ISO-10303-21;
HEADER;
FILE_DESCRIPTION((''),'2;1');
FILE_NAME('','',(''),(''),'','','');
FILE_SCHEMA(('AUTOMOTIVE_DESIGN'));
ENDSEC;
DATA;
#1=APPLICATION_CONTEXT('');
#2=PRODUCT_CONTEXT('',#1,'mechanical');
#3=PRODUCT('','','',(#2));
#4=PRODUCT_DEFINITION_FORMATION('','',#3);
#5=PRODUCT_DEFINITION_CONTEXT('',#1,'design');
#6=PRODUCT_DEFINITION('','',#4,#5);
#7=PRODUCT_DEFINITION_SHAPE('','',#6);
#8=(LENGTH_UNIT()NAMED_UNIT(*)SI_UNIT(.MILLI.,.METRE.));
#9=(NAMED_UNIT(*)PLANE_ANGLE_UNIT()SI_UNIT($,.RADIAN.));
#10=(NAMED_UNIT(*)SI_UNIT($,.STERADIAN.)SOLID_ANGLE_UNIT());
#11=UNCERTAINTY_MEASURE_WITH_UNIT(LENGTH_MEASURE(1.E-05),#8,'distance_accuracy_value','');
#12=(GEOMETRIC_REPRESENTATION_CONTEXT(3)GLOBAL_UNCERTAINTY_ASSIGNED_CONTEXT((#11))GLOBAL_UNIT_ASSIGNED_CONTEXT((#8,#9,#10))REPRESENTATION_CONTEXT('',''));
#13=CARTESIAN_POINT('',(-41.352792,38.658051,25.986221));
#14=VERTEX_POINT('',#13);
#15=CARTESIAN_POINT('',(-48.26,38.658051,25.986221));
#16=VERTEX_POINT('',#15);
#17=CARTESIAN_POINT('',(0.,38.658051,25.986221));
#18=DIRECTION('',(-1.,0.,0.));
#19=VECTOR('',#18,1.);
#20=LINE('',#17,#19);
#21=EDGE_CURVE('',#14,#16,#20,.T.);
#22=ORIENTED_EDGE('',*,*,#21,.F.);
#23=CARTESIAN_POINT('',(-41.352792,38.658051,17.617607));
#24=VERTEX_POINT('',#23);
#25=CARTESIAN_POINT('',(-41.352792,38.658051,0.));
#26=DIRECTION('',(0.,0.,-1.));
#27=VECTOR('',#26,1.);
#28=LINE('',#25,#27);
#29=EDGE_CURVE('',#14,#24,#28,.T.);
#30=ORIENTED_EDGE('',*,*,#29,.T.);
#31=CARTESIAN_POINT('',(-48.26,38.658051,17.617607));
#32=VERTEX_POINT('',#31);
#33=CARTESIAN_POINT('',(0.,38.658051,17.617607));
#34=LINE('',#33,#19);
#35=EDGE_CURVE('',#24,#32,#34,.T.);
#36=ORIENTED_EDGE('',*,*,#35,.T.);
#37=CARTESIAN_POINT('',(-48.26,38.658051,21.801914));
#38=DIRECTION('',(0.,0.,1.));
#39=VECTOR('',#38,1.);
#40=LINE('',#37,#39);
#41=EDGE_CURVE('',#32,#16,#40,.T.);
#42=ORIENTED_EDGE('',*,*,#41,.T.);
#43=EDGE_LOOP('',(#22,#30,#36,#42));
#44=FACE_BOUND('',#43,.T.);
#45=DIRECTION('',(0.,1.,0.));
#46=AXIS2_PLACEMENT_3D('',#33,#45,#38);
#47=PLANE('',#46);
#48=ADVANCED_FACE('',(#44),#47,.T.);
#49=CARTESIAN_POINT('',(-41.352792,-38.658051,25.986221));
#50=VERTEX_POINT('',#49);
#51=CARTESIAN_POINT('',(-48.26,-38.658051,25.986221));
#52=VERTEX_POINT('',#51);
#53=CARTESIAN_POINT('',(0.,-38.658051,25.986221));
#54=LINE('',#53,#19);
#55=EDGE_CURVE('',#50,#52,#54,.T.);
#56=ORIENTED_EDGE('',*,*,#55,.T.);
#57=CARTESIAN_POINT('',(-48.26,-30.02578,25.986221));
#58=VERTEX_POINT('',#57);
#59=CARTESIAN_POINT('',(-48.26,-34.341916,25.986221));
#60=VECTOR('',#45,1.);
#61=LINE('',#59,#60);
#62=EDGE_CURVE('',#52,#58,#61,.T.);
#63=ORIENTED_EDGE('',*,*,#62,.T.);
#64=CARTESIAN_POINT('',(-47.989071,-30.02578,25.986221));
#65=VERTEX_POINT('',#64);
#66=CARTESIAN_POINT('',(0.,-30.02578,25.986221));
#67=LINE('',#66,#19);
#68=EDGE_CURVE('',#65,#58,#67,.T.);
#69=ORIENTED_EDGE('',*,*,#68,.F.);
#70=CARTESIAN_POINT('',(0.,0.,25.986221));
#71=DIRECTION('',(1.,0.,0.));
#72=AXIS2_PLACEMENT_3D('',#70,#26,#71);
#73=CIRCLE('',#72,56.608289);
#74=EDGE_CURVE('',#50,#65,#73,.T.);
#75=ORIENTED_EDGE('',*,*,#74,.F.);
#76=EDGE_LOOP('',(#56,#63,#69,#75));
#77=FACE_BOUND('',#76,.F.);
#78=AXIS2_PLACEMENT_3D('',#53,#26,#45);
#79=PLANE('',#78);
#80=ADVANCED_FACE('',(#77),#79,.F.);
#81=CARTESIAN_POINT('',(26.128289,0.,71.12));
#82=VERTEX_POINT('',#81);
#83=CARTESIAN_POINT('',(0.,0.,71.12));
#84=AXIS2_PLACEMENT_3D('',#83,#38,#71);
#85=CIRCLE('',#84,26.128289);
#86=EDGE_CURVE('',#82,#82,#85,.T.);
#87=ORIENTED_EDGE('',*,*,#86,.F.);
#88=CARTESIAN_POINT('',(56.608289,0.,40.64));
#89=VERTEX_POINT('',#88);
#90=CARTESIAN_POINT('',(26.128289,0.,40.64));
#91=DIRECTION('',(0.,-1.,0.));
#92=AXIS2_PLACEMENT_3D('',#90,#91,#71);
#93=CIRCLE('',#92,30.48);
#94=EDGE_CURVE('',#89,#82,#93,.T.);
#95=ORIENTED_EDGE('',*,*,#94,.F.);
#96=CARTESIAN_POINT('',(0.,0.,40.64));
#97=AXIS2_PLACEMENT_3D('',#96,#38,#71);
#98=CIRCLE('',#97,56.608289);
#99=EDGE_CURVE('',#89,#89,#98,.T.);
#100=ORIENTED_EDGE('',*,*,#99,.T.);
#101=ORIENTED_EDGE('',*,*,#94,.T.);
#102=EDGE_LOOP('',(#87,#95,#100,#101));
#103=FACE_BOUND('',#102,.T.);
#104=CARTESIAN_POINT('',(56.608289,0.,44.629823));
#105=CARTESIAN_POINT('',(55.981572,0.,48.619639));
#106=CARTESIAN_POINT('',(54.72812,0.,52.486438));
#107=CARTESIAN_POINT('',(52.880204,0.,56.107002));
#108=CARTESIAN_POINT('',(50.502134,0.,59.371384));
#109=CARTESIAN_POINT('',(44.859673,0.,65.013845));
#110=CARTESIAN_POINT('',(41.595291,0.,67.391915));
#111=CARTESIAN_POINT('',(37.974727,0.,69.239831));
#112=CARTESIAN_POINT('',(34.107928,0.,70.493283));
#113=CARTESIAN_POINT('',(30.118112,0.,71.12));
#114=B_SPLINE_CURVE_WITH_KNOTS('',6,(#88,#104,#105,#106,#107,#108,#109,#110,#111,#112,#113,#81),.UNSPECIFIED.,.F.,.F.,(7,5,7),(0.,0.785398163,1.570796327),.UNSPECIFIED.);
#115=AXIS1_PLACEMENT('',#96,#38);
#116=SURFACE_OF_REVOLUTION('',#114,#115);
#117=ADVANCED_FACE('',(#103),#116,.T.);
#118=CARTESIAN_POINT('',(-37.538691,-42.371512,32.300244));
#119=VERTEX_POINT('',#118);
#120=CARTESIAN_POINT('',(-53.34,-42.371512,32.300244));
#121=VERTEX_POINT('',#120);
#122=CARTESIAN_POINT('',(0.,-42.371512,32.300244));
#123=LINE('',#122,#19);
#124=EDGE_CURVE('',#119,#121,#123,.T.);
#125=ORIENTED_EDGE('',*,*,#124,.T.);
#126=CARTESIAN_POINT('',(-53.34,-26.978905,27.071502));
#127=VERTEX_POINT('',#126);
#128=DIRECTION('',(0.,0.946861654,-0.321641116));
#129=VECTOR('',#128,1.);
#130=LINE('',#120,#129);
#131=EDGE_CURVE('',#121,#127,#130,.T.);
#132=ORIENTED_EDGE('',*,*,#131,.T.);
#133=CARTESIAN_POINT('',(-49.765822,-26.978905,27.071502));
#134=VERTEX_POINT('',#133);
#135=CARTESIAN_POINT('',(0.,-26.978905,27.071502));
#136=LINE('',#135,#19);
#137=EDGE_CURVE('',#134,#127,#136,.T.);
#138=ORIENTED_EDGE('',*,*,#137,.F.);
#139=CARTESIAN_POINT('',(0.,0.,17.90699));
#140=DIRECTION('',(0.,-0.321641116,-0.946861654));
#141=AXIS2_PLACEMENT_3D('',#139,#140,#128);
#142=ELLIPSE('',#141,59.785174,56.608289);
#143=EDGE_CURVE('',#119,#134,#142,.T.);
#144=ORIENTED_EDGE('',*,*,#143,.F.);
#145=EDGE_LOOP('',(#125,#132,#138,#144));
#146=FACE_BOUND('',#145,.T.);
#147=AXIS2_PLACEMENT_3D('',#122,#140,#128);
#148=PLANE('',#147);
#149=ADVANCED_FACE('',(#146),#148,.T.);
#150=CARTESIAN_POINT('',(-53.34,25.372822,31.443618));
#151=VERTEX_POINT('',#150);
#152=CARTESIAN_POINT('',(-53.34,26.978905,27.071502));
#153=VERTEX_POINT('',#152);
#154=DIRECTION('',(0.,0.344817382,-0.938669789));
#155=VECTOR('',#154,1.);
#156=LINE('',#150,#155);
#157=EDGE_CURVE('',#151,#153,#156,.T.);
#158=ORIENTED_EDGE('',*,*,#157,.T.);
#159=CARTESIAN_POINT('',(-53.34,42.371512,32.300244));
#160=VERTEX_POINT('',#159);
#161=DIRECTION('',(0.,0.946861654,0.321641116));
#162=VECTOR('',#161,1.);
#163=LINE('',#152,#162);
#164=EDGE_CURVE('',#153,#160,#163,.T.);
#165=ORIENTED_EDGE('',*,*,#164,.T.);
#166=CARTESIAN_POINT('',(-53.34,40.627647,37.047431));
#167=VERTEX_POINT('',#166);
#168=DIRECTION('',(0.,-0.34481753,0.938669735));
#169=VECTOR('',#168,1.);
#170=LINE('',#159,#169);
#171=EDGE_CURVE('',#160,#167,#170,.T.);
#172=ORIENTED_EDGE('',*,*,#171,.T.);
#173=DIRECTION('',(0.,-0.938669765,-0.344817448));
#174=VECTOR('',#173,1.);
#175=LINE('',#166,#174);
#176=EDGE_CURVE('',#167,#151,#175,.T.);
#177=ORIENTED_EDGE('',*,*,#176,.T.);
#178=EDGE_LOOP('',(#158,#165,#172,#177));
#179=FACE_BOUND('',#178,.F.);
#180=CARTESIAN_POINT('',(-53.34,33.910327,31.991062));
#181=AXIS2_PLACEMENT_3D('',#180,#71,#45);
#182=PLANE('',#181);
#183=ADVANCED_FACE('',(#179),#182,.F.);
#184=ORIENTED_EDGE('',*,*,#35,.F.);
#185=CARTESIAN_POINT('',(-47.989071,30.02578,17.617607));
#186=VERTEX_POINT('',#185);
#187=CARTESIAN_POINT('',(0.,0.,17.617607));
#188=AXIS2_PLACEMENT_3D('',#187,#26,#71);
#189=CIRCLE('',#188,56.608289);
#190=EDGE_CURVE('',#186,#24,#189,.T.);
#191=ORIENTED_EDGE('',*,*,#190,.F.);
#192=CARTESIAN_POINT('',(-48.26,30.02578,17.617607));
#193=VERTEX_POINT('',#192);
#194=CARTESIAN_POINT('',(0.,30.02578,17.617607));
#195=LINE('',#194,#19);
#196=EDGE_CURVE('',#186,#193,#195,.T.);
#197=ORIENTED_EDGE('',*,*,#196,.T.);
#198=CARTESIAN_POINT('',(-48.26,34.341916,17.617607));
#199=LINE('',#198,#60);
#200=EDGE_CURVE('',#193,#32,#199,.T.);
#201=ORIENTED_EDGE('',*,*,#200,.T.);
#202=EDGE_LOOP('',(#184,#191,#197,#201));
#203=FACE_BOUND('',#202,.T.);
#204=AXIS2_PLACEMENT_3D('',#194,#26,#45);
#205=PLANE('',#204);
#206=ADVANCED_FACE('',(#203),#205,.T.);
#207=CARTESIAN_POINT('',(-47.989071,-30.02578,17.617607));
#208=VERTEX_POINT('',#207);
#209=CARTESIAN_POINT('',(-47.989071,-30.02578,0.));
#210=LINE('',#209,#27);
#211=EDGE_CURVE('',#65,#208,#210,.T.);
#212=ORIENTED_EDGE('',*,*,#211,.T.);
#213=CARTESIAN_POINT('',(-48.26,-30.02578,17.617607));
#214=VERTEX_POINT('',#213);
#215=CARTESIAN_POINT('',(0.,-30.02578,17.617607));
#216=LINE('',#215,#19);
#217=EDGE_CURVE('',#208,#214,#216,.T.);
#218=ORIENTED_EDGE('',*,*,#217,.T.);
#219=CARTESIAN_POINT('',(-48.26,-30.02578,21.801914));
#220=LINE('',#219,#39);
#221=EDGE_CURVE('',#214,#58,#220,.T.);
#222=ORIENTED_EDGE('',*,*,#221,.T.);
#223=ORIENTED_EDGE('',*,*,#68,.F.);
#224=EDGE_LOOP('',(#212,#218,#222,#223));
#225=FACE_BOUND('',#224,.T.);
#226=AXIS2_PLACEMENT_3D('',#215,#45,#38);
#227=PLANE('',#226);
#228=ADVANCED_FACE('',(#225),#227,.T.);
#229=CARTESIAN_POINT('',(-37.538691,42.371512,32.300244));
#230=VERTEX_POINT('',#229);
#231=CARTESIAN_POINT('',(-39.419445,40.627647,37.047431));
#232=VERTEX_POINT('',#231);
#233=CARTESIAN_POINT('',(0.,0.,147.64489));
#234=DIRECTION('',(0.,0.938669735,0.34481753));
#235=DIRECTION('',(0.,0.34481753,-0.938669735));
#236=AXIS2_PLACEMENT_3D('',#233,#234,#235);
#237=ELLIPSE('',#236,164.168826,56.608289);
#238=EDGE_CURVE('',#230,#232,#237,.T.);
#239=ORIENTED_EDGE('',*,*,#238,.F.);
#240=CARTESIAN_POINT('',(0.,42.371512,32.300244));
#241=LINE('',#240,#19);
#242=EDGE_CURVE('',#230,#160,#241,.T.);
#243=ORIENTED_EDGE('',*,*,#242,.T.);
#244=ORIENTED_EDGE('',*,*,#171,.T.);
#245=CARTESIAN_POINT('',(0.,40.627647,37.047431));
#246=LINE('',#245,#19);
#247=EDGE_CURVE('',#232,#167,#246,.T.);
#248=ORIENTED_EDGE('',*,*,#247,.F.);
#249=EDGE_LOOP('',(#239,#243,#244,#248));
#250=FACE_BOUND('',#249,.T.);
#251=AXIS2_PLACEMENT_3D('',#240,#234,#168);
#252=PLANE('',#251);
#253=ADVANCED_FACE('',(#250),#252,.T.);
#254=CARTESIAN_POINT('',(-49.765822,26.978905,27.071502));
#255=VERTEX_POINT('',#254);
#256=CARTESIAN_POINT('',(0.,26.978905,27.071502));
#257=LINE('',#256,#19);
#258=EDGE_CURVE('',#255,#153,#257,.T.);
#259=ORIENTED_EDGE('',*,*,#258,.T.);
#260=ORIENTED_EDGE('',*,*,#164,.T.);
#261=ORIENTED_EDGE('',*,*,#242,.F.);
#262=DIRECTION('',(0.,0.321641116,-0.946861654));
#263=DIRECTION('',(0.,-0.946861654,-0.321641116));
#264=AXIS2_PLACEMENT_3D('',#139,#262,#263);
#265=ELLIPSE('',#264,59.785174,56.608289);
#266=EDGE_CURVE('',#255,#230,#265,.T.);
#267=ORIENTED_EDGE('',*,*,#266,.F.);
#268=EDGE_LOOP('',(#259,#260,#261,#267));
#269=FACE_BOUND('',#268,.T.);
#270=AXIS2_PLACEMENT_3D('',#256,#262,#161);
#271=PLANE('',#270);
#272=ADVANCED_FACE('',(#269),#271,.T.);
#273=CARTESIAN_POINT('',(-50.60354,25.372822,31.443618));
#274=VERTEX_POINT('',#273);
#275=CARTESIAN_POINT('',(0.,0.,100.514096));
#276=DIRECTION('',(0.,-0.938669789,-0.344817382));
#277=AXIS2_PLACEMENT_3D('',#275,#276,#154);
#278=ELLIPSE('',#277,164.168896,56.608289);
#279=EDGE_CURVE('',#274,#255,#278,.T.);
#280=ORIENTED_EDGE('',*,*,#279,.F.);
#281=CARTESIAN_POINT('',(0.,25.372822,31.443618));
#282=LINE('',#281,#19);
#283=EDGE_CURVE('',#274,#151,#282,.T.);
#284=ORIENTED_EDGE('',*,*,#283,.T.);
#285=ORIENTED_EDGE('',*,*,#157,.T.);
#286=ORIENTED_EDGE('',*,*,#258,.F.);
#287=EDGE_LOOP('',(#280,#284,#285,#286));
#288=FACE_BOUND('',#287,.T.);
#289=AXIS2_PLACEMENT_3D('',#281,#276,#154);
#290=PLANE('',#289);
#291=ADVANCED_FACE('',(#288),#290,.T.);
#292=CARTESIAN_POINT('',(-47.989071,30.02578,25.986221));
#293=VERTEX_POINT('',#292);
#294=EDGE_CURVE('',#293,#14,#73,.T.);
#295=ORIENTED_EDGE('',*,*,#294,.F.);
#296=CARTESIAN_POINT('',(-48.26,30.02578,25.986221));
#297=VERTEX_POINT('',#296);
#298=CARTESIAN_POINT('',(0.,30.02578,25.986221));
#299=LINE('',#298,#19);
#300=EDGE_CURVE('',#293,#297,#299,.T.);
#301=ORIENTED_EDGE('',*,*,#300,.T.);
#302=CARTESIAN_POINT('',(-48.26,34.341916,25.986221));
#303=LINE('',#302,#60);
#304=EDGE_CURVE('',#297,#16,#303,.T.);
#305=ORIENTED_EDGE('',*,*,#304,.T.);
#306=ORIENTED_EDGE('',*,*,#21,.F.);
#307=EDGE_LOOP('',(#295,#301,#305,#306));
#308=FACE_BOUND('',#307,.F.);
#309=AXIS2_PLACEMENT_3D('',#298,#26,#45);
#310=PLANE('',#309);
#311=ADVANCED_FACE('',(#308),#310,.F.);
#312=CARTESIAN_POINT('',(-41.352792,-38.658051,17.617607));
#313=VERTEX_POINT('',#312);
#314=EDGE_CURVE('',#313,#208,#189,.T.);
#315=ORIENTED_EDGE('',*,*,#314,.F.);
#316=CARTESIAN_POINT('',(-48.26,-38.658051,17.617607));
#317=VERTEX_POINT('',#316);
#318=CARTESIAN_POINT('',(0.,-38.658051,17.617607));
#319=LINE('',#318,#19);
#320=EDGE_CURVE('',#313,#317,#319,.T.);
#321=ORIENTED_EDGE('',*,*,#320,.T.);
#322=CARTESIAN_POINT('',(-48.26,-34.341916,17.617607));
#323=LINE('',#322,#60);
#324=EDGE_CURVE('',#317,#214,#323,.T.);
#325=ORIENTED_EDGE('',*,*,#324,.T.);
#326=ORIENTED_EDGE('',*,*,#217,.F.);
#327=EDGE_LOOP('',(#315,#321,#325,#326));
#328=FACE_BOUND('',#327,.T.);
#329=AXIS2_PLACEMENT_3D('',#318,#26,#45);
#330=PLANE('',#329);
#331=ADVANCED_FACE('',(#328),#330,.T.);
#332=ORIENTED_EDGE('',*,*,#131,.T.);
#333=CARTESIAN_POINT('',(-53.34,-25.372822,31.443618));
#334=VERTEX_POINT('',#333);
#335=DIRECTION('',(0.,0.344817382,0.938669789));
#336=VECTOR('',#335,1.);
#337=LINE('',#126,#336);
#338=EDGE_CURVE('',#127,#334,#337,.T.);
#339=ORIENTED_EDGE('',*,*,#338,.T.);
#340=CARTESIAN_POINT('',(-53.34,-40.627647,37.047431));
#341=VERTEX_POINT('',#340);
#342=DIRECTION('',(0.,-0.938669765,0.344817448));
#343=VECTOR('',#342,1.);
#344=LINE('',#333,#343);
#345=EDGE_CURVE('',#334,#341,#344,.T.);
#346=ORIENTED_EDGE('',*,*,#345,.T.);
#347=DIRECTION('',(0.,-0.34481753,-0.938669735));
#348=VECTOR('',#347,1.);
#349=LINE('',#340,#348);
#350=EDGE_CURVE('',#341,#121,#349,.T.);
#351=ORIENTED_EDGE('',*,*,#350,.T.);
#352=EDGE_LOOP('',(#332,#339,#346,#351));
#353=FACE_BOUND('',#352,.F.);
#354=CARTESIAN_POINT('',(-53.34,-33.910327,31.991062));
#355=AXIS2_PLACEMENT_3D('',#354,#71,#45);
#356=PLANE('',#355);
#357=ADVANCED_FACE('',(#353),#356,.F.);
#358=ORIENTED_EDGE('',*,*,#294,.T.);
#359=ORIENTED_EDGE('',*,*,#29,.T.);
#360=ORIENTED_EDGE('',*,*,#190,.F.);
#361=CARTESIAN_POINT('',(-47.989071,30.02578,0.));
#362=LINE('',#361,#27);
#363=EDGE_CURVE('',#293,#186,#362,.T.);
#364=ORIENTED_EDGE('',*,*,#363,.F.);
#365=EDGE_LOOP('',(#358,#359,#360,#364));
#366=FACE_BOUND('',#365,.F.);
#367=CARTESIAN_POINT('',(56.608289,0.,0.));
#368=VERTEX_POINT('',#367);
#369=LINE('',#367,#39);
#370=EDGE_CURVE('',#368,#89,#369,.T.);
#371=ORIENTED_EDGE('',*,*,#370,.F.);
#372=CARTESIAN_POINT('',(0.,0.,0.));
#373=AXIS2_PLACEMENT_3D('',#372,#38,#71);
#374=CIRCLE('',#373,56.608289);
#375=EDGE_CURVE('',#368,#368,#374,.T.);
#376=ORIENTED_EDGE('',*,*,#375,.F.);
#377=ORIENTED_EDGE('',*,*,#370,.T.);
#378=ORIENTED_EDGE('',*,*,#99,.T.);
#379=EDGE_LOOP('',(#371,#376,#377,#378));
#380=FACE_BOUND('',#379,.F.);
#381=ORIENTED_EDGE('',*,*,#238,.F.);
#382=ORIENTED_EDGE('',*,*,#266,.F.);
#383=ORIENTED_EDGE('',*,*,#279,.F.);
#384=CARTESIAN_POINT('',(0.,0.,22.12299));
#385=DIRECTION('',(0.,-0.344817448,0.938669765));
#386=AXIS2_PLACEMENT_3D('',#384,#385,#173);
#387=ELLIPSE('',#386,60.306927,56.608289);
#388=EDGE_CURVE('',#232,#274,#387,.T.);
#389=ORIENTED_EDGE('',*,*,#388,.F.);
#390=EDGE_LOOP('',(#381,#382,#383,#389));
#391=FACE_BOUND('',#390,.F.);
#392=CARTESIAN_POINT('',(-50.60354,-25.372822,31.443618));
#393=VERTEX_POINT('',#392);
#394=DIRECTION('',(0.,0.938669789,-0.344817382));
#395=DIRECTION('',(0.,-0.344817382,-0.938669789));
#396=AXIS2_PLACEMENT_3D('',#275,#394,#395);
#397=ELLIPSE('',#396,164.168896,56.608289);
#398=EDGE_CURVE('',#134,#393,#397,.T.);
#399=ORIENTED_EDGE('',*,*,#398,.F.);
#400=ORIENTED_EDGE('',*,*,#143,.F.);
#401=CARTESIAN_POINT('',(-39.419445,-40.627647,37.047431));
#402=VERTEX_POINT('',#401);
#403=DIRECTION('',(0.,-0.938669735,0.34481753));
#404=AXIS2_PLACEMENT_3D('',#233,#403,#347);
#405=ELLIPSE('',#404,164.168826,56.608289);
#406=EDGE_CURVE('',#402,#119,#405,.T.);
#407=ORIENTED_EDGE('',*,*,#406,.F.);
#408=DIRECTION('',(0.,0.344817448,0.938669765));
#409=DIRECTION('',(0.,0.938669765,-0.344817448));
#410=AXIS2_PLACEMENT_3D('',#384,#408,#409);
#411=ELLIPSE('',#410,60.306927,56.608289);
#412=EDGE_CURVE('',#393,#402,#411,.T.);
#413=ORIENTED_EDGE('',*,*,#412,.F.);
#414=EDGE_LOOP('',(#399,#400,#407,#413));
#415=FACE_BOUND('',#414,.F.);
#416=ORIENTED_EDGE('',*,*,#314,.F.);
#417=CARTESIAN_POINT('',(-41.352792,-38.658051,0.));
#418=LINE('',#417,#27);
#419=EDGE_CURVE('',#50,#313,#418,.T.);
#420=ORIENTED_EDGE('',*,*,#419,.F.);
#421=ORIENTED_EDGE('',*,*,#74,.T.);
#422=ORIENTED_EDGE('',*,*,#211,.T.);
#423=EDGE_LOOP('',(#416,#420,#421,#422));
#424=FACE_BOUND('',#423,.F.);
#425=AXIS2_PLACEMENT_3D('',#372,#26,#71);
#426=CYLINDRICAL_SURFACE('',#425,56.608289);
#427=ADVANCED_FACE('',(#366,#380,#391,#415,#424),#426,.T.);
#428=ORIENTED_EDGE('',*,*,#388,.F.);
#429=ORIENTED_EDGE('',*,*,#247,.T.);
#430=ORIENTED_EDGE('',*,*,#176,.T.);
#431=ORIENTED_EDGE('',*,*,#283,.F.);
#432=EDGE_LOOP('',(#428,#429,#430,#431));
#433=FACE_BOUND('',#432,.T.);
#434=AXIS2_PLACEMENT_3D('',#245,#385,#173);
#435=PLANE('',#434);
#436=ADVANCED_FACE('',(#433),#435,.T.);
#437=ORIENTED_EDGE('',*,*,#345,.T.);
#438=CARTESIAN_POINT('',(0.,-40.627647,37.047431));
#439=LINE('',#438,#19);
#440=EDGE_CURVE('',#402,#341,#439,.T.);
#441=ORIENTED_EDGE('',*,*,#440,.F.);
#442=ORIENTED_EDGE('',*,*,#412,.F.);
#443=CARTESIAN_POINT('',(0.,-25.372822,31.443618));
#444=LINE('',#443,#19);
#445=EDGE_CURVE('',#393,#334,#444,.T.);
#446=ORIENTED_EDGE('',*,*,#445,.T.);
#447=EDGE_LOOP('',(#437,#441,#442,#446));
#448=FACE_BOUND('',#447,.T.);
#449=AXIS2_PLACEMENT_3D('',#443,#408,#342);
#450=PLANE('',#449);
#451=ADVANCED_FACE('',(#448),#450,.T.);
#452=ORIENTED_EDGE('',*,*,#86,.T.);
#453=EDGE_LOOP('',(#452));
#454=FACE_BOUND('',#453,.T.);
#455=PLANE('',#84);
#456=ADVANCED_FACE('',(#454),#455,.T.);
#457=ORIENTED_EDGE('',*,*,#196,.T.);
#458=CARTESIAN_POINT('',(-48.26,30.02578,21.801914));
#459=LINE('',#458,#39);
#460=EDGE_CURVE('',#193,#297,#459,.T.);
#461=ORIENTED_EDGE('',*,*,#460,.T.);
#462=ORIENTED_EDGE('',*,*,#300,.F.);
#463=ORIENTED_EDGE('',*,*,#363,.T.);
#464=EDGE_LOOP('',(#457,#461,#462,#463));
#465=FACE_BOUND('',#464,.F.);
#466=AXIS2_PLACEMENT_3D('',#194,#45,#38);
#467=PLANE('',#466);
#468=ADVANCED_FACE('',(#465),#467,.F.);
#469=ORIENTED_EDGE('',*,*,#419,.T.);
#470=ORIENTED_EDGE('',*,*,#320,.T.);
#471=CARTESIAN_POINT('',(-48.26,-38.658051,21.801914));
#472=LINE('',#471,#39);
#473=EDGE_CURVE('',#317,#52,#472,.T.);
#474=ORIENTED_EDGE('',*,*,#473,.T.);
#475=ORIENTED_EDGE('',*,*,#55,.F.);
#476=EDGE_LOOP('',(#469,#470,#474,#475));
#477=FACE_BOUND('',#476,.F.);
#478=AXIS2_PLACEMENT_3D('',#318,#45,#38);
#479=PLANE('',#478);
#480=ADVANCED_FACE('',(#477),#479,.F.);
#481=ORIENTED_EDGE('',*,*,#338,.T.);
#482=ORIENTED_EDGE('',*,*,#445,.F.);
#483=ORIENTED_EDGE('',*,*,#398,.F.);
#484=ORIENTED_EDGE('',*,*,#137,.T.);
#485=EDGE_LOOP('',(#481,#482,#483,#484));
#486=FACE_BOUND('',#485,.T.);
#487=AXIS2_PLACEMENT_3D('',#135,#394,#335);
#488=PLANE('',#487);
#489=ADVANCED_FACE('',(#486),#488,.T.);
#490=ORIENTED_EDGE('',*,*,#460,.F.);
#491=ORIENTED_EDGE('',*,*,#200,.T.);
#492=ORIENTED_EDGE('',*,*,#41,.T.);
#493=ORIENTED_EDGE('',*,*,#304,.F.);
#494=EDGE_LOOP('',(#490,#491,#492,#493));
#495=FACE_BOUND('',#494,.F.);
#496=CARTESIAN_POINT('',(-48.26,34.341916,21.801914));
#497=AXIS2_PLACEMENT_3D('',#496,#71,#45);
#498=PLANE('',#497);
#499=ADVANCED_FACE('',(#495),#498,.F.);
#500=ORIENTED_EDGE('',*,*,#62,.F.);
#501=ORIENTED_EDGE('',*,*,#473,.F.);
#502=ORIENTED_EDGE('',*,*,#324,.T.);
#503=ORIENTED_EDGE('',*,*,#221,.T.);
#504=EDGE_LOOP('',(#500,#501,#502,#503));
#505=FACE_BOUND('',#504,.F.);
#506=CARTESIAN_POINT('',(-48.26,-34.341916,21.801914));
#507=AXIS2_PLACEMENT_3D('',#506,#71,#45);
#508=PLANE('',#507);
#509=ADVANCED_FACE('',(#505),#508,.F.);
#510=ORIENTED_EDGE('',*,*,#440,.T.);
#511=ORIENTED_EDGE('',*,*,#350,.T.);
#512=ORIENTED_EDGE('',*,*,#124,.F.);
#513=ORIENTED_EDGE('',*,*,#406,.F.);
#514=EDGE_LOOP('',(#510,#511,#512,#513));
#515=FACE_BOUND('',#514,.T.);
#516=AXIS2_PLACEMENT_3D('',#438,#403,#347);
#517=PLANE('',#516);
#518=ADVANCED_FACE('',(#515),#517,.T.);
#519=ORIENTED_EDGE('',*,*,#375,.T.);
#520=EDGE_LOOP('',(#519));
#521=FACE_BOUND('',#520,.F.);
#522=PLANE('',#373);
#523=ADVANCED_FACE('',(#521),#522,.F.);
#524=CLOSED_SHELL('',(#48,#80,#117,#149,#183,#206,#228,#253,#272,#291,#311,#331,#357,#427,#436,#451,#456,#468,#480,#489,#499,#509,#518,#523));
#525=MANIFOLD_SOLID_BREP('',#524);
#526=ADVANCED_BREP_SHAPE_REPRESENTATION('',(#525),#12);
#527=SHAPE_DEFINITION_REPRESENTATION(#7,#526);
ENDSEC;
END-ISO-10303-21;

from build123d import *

# Parameters (mm, degrees)
F0_R     = 56.608289
F1_DEPTH = 71.12
F2_R     = 30.48
F3_W     = 8.632271
F3_H     = 8.368614
F4_DEPTH = 48.26
F6_DEPTH = 53.34


with BuildPart() as f1:
    # F0 (on Top) → F1 (new body)
    with BuildSketch(Plane.XY):
        Circle(F0_R)
    extrude(amount=F1_DEPTH)

    # F2
    f2_edges = [f1.edges().sort_by_distance(p)[0] for p in [
        (-56.608289, 0, 71.12),
    ]]
    fillet(f2_edges, radius=F2_R)

    # F3 (on Right) → F4 (join)
    with BuildSketch(Plane.YZ):
        with Locations((34.341916, 21.801914)):
            Rectangle(F3_W, F3_H)
        with Locations((-34.341916, 21.801914)):
            Rectangle(F3_W, F3_H)
    extrude(amount=-F4_DEPTH)

    # F5 (on Right) → F6 (join)
    with BuildSketch(Plane.YZ):
        Polygon((42.371512, 32.300244), (40.627647, 37.047431), (25.372822, 31.443618), (26.978905, 27.071502), align=None)
        Polygon((-26.978905, 27.071502), (-25.372822, 31.443618), (-40.627647, 37.047431), (-42.371512, 32.300244), align=None)
    extrude(amount=-F6_DEPTH)


solid = f1.part
